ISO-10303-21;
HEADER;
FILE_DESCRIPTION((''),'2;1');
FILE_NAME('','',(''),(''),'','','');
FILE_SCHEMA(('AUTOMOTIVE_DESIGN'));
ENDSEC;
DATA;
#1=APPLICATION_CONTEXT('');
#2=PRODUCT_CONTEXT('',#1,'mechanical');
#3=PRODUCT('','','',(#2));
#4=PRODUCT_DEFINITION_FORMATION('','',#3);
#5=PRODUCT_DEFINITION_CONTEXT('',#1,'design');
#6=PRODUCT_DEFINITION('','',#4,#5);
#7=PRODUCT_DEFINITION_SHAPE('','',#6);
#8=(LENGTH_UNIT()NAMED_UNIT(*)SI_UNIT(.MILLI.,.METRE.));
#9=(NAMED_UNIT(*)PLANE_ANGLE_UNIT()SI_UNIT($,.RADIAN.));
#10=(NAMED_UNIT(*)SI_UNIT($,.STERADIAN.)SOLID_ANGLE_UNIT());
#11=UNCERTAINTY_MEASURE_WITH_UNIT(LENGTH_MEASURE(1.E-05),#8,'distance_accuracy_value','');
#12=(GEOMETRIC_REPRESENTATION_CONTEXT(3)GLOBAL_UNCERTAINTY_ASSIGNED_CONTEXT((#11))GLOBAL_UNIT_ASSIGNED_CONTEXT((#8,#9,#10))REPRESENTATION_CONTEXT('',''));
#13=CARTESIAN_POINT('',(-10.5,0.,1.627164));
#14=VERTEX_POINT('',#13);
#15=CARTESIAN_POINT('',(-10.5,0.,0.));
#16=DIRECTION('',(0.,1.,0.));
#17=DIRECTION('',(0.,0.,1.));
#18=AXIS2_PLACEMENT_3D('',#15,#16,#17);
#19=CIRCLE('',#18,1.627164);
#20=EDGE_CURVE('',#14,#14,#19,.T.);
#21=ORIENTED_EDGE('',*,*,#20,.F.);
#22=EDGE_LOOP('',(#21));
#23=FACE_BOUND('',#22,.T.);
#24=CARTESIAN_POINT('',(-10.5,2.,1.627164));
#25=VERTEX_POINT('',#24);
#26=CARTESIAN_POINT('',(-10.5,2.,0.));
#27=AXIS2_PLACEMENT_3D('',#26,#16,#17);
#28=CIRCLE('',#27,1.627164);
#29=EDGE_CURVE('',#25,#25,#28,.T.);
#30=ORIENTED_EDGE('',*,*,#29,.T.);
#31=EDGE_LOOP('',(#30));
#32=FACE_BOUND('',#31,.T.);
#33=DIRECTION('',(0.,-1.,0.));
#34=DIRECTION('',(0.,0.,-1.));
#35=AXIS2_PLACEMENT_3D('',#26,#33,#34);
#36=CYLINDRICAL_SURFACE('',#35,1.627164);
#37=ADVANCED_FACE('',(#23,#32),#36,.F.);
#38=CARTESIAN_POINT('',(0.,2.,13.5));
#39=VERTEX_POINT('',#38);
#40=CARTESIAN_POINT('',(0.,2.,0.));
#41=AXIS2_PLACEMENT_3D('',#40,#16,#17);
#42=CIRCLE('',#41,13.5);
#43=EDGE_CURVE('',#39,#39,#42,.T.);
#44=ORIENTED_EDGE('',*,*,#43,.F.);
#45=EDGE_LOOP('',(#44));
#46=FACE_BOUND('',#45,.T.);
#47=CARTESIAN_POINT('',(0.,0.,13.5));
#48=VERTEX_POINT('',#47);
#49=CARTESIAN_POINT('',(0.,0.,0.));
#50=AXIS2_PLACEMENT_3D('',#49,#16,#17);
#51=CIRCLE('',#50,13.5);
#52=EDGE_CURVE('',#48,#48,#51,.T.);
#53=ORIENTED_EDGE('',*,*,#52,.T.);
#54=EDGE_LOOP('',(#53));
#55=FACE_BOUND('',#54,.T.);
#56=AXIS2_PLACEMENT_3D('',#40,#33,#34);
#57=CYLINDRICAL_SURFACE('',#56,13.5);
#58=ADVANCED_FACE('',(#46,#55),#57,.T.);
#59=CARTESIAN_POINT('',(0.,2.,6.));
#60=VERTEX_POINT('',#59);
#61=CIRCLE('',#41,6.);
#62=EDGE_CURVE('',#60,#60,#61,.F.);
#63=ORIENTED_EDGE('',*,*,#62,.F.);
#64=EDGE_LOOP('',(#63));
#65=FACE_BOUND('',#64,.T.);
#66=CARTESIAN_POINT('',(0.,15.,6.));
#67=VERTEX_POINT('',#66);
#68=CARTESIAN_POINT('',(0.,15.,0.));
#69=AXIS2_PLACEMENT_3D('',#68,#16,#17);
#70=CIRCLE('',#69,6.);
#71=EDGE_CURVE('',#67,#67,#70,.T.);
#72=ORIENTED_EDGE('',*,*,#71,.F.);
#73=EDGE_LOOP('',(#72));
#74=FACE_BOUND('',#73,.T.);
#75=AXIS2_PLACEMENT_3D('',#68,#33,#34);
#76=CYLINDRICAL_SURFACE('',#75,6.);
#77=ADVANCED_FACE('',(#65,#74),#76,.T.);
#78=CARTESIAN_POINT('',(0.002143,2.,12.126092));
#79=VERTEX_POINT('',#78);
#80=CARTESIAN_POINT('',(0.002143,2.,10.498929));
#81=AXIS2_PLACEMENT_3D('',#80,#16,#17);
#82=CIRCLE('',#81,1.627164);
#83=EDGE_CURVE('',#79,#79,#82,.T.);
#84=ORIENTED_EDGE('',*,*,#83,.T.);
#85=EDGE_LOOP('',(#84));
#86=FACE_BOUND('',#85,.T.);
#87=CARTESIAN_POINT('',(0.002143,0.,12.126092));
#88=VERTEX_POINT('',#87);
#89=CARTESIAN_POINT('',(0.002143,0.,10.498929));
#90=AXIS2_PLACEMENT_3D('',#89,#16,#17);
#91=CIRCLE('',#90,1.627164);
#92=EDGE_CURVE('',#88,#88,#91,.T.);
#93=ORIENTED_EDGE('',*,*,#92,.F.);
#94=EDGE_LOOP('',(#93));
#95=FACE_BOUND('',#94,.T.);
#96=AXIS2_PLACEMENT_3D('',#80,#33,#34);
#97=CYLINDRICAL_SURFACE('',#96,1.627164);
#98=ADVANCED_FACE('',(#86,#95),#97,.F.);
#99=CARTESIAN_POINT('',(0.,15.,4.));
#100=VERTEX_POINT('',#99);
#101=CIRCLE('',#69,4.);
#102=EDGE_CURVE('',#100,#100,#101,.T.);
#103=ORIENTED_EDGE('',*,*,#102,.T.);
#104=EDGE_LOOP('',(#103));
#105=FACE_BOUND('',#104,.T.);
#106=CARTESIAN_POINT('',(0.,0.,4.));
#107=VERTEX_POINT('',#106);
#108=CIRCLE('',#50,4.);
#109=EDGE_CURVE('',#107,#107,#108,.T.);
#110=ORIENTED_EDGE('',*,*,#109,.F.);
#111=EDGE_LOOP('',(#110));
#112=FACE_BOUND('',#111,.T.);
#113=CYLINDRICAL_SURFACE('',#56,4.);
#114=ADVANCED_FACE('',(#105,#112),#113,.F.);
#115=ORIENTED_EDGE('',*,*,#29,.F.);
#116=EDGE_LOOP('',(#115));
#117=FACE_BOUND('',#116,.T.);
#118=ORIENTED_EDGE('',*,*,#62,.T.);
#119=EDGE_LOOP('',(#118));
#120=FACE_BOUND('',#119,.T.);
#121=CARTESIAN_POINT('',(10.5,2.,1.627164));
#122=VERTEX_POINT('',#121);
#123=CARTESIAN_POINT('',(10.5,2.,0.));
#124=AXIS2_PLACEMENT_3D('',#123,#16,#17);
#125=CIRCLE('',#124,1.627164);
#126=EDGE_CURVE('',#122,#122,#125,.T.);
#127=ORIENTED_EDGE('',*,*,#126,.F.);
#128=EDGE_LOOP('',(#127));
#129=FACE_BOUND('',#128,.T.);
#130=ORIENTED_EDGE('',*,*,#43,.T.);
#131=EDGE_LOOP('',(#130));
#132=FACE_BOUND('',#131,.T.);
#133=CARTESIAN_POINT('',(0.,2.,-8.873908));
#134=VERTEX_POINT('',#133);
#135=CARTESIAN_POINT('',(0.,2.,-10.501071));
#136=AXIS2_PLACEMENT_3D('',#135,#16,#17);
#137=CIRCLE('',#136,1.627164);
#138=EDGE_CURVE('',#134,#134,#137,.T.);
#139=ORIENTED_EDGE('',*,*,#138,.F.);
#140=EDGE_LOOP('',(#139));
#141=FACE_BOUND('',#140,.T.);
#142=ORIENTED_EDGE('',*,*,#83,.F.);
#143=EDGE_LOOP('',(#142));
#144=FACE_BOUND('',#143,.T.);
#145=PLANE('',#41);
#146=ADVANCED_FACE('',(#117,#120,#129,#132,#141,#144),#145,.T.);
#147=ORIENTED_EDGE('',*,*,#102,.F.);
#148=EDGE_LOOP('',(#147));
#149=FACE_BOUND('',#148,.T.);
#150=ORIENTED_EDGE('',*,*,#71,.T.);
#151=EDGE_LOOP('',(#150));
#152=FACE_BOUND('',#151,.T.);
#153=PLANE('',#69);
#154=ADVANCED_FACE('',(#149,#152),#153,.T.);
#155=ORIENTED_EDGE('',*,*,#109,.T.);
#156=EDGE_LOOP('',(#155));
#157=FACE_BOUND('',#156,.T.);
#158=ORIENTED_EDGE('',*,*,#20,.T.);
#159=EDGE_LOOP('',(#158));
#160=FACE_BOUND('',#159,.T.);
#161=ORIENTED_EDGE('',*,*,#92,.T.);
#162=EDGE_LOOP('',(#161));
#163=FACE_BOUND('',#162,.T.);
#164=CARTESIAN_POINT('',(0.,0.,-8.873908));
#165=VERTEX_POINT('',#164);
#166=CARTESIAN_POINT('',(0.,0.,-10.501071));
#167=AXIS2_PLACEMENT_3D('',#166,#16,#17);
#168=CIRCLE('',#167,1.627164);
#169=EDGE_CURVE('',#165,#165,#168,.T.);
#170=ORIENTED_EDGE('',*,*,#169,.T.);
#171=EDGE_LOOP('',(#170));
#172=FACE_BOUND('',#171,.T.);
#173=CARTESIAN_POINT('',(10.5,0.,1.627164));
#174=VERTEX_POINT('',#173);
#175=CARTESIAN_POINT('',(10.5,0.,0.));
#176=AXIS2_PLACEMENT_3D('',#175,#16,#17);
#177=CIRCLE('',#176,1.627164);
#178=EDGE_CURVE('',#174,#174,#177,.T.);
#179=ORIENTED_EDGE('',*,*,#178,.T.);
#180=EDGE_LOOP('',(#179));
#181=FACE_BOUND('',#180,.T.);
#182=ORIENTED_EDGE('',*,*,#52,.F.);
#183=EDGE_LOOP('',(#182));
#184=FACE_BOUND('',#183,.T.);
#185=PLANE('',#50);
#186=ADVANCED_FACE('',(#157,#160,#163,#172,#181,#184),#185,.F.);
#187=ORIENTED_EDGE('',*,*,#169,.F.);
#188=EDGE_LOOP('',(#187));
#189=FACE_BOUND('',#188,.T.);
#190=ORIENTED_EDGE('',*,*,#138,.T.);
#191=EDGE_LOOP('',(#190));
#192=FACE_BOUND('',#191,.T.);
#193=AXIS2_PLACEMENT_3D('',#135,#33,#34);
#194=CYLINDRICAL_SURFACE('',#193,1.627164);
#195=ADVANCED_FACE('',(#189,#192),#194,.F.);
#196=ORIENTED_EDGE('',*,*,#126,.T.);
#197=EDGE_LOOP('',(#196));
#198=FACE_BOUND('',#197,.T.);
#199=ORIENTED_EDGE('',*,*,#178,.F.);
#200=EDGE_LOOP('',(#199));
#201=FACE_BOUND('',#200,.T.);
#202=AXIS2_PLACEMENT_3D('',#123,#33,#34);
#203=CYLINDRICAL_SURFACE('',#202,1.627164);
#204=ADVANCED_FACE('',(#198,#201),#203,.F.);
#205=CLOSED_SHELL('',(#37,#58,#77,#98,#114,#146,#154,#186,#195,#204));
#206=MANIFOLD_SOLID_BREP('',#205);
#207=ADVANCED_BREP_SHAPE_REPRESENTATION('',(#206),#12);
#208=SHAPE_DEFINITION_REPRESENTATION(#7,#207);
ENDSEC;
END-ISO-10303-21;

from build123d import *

# Parameters (mm, degrees)
SKETCH_1_R      = 13.5
SKETCH_1_R_2    = 1.627163834
SKETCH_1_R_3    = 6
SKETCH_1_R_4    = 4
EXTRUDE_3_DEPTH = 2
SKETCH_2_R      = 6
SKETCH_2_R_2    = 4
EXTRUDE_4_DEPTH = 15


with BuildPart() as part:
    # 草图1 → 凸台-拉伸3 (new body)
    # profile 1 of 2: a face of its own
    with BuildSketch(Plane(origin=(0, 0, 0), x_dir=(1, 0, 0), z_dir=(0, 1, 0))):
        with Locations(Location((0, 0, 0), (0, 0, 270))):
            Circle(SKETCH_1_R)
        with Locations(Location((-10.5, 0, 0), (0, 0, 270))):
            Circle(SKETCH_1_R_2, mode=Mode.SUBTRACT)
        with Locations(Location((0.002142639, -10.498928517, 0), (0, 0, 270))):
            Circle(SKETCH_1_R_2, mode=Mode.SUBTRACT)
        with Locations(Location((10.5, 0, 0), (0, 0, 270))):
            Circle(SKETCH_1_R_2, mode=Mode.SUBTRACT)
        with Locations(Location((0, 10.501071374, 0), (0, 0, 270))):
            Circle(SKETCH_1_R_2, mode=Mode.SUBTRACT)
        Circle(SKETCH_1_R_3, mode=Mode.SUBTRACT)
    # profile 2 of 2: a face of its own
    with BuildSketch(Plane(origin=(0, 0, 0), x_dir=(1, 0, 0), z_dir=(0, 1, 0))):
        Circle(SKETCH_1_R_3)
        with Locations(Location((0, 0, 0), (0, 0, 270))):
            Circle(SKETCH_1_R_4, mode=Mode.SUBTRACT)
    extrude(amount=EXTRUDE_3_DEPTH)

    # 草图2 → 凸台-拉伸4 (add)
    with BuildSketch(Plane(origin=(0, 0, 0), x_dir=(1, 0, 0), z_dir=(0, 1, 0))):
        with Locations(Location((0, 0, 0), (0, 0, 270))):
            Circle(SKETCH_2_R)
        with Locations(Location((0, 0, 0), (0, 0, 270))):
            Circle(SKETCH_2_R_2, mode=Mode.SUBTRACT)
    extrude(amount=EXTRUDE_4_DEPTH)


solid = part.part
